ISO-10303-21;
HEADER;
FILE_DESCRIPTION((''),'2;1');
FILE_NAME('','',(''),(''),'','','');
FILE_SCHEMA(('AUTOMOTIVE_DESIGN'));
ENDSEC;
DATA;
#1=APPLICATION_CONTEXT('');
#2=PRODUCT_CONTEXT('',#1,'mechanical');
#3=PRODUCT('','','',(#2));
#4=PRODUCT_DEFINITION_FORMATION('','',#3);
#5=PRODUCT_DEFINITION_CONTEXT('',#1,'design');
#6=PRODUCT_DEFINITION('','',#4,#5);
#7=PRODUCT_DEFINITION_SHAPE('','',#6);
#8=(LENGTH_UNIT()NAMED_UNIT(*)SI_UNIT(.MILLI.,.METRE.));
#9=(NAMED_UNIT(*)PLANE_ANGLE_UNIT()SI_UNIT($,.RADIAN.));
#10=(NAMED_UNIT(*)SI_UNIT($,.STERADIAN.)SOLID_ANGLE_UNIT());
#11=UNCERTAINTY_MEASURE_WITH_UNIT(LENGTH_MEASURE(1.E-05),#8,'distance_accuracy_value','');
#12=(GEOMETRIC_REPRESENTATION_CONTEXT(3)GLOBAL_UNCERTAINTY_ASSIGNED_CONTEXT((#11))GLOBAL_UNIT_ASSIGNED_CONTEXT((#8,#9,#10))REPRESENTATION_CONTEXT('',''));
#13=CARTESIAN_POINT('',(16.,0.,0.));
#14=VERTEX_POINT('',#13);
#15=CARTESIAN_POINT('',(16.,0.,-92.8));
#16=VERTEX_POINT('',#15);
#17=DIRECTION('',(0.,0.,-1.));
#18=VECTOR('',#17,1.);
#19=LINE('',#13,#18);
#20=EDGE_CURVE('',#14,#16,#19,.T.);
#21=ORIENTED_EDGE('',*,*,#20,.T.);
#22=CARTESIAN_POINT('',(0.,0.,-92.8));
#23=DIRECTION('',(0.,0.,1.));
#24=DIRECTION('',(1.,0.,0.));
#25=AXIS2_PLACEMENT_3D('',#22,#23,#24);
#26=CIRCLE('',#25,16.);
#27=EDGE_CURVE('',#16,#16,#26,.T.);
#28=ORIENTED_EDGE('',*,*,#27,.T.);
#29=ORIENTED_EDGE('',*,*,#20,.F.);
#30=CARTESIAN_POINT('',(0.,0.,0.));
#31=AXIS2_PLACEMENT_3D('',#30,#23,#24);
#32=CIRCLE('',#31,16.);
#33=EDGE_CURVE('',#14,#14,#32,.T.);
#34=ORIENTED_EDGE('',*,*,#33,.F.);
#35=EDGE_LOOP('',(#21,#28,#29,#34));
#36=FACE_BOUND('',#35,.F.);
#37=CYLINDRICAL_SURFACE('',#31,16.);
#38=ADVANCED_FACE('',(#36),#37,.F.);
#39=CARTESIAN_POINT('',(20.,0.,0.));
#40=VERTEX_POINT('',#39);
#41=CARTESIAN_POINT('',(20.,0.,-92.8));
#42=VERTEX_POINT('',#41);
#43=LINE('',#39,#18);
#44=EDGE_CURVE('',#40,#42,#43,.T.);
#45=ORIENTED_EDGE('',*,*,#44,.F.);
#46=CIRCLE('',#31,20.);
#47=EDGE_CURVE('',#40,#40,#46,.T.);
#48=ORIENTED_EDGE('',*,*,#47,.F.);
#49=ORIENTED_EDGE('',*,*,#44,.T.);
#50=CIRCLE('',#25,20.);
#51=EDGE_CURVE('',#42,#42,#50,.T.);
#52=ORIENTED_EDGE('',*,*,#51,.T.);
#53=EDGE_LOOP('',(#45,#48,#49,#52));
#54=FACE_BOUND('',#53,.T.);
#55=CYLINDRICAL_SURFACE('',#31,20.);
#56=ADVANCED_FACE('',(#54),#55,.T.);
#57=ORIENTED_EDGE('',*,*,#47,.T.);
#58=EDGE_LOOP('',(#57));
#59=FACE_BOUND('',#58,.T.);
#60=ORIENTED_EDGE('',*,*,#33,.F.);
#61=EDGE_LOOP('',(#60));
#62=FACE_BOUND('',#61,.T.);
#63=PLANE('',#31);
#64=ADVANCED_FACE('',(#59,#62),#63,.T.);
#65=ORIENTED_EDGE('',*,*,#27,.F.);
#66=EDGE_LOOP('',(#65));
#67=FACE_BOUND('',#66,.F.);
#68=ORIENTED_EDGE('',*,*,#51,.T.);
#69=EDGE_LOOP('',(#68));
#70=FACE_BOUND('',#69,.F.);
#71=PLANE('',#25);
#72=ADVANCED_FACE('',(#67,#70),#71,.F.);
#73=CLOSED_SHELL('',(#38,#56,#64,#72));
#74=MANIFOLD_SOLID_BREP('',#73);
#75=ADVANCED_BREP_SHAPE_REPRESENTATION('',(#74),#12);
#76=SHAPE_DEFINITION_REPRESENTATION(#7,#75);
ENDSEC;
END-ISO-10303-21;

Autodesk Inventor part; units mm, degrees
ref_plane "YZ Plane" through (0, 0, 0) normal (1, 0, 0) x (0, 1, 0)
ref_plane "XZ Plane" through (0, 0, 0) normal (0, 1, 0) x (-1, 0, 0)
ref_plane "XY Plane" through (0, 0, 0) normal (0, 0, 1) x (1, 0, 0)
sketch "Sketch1" plane through (0, 0, 0) normal (0, 0, 1) x (1, 0, 0)
  circle A0 centre (0, 0) radius 20
  circle A1 centre (0, 0) radius 16
  dimension "d0" = 40
  dimension "d1" = 4
extrude "Extrusion1" add sketch "Sketch1" against normal blind 92.8
properties part number "дист.втулка"
